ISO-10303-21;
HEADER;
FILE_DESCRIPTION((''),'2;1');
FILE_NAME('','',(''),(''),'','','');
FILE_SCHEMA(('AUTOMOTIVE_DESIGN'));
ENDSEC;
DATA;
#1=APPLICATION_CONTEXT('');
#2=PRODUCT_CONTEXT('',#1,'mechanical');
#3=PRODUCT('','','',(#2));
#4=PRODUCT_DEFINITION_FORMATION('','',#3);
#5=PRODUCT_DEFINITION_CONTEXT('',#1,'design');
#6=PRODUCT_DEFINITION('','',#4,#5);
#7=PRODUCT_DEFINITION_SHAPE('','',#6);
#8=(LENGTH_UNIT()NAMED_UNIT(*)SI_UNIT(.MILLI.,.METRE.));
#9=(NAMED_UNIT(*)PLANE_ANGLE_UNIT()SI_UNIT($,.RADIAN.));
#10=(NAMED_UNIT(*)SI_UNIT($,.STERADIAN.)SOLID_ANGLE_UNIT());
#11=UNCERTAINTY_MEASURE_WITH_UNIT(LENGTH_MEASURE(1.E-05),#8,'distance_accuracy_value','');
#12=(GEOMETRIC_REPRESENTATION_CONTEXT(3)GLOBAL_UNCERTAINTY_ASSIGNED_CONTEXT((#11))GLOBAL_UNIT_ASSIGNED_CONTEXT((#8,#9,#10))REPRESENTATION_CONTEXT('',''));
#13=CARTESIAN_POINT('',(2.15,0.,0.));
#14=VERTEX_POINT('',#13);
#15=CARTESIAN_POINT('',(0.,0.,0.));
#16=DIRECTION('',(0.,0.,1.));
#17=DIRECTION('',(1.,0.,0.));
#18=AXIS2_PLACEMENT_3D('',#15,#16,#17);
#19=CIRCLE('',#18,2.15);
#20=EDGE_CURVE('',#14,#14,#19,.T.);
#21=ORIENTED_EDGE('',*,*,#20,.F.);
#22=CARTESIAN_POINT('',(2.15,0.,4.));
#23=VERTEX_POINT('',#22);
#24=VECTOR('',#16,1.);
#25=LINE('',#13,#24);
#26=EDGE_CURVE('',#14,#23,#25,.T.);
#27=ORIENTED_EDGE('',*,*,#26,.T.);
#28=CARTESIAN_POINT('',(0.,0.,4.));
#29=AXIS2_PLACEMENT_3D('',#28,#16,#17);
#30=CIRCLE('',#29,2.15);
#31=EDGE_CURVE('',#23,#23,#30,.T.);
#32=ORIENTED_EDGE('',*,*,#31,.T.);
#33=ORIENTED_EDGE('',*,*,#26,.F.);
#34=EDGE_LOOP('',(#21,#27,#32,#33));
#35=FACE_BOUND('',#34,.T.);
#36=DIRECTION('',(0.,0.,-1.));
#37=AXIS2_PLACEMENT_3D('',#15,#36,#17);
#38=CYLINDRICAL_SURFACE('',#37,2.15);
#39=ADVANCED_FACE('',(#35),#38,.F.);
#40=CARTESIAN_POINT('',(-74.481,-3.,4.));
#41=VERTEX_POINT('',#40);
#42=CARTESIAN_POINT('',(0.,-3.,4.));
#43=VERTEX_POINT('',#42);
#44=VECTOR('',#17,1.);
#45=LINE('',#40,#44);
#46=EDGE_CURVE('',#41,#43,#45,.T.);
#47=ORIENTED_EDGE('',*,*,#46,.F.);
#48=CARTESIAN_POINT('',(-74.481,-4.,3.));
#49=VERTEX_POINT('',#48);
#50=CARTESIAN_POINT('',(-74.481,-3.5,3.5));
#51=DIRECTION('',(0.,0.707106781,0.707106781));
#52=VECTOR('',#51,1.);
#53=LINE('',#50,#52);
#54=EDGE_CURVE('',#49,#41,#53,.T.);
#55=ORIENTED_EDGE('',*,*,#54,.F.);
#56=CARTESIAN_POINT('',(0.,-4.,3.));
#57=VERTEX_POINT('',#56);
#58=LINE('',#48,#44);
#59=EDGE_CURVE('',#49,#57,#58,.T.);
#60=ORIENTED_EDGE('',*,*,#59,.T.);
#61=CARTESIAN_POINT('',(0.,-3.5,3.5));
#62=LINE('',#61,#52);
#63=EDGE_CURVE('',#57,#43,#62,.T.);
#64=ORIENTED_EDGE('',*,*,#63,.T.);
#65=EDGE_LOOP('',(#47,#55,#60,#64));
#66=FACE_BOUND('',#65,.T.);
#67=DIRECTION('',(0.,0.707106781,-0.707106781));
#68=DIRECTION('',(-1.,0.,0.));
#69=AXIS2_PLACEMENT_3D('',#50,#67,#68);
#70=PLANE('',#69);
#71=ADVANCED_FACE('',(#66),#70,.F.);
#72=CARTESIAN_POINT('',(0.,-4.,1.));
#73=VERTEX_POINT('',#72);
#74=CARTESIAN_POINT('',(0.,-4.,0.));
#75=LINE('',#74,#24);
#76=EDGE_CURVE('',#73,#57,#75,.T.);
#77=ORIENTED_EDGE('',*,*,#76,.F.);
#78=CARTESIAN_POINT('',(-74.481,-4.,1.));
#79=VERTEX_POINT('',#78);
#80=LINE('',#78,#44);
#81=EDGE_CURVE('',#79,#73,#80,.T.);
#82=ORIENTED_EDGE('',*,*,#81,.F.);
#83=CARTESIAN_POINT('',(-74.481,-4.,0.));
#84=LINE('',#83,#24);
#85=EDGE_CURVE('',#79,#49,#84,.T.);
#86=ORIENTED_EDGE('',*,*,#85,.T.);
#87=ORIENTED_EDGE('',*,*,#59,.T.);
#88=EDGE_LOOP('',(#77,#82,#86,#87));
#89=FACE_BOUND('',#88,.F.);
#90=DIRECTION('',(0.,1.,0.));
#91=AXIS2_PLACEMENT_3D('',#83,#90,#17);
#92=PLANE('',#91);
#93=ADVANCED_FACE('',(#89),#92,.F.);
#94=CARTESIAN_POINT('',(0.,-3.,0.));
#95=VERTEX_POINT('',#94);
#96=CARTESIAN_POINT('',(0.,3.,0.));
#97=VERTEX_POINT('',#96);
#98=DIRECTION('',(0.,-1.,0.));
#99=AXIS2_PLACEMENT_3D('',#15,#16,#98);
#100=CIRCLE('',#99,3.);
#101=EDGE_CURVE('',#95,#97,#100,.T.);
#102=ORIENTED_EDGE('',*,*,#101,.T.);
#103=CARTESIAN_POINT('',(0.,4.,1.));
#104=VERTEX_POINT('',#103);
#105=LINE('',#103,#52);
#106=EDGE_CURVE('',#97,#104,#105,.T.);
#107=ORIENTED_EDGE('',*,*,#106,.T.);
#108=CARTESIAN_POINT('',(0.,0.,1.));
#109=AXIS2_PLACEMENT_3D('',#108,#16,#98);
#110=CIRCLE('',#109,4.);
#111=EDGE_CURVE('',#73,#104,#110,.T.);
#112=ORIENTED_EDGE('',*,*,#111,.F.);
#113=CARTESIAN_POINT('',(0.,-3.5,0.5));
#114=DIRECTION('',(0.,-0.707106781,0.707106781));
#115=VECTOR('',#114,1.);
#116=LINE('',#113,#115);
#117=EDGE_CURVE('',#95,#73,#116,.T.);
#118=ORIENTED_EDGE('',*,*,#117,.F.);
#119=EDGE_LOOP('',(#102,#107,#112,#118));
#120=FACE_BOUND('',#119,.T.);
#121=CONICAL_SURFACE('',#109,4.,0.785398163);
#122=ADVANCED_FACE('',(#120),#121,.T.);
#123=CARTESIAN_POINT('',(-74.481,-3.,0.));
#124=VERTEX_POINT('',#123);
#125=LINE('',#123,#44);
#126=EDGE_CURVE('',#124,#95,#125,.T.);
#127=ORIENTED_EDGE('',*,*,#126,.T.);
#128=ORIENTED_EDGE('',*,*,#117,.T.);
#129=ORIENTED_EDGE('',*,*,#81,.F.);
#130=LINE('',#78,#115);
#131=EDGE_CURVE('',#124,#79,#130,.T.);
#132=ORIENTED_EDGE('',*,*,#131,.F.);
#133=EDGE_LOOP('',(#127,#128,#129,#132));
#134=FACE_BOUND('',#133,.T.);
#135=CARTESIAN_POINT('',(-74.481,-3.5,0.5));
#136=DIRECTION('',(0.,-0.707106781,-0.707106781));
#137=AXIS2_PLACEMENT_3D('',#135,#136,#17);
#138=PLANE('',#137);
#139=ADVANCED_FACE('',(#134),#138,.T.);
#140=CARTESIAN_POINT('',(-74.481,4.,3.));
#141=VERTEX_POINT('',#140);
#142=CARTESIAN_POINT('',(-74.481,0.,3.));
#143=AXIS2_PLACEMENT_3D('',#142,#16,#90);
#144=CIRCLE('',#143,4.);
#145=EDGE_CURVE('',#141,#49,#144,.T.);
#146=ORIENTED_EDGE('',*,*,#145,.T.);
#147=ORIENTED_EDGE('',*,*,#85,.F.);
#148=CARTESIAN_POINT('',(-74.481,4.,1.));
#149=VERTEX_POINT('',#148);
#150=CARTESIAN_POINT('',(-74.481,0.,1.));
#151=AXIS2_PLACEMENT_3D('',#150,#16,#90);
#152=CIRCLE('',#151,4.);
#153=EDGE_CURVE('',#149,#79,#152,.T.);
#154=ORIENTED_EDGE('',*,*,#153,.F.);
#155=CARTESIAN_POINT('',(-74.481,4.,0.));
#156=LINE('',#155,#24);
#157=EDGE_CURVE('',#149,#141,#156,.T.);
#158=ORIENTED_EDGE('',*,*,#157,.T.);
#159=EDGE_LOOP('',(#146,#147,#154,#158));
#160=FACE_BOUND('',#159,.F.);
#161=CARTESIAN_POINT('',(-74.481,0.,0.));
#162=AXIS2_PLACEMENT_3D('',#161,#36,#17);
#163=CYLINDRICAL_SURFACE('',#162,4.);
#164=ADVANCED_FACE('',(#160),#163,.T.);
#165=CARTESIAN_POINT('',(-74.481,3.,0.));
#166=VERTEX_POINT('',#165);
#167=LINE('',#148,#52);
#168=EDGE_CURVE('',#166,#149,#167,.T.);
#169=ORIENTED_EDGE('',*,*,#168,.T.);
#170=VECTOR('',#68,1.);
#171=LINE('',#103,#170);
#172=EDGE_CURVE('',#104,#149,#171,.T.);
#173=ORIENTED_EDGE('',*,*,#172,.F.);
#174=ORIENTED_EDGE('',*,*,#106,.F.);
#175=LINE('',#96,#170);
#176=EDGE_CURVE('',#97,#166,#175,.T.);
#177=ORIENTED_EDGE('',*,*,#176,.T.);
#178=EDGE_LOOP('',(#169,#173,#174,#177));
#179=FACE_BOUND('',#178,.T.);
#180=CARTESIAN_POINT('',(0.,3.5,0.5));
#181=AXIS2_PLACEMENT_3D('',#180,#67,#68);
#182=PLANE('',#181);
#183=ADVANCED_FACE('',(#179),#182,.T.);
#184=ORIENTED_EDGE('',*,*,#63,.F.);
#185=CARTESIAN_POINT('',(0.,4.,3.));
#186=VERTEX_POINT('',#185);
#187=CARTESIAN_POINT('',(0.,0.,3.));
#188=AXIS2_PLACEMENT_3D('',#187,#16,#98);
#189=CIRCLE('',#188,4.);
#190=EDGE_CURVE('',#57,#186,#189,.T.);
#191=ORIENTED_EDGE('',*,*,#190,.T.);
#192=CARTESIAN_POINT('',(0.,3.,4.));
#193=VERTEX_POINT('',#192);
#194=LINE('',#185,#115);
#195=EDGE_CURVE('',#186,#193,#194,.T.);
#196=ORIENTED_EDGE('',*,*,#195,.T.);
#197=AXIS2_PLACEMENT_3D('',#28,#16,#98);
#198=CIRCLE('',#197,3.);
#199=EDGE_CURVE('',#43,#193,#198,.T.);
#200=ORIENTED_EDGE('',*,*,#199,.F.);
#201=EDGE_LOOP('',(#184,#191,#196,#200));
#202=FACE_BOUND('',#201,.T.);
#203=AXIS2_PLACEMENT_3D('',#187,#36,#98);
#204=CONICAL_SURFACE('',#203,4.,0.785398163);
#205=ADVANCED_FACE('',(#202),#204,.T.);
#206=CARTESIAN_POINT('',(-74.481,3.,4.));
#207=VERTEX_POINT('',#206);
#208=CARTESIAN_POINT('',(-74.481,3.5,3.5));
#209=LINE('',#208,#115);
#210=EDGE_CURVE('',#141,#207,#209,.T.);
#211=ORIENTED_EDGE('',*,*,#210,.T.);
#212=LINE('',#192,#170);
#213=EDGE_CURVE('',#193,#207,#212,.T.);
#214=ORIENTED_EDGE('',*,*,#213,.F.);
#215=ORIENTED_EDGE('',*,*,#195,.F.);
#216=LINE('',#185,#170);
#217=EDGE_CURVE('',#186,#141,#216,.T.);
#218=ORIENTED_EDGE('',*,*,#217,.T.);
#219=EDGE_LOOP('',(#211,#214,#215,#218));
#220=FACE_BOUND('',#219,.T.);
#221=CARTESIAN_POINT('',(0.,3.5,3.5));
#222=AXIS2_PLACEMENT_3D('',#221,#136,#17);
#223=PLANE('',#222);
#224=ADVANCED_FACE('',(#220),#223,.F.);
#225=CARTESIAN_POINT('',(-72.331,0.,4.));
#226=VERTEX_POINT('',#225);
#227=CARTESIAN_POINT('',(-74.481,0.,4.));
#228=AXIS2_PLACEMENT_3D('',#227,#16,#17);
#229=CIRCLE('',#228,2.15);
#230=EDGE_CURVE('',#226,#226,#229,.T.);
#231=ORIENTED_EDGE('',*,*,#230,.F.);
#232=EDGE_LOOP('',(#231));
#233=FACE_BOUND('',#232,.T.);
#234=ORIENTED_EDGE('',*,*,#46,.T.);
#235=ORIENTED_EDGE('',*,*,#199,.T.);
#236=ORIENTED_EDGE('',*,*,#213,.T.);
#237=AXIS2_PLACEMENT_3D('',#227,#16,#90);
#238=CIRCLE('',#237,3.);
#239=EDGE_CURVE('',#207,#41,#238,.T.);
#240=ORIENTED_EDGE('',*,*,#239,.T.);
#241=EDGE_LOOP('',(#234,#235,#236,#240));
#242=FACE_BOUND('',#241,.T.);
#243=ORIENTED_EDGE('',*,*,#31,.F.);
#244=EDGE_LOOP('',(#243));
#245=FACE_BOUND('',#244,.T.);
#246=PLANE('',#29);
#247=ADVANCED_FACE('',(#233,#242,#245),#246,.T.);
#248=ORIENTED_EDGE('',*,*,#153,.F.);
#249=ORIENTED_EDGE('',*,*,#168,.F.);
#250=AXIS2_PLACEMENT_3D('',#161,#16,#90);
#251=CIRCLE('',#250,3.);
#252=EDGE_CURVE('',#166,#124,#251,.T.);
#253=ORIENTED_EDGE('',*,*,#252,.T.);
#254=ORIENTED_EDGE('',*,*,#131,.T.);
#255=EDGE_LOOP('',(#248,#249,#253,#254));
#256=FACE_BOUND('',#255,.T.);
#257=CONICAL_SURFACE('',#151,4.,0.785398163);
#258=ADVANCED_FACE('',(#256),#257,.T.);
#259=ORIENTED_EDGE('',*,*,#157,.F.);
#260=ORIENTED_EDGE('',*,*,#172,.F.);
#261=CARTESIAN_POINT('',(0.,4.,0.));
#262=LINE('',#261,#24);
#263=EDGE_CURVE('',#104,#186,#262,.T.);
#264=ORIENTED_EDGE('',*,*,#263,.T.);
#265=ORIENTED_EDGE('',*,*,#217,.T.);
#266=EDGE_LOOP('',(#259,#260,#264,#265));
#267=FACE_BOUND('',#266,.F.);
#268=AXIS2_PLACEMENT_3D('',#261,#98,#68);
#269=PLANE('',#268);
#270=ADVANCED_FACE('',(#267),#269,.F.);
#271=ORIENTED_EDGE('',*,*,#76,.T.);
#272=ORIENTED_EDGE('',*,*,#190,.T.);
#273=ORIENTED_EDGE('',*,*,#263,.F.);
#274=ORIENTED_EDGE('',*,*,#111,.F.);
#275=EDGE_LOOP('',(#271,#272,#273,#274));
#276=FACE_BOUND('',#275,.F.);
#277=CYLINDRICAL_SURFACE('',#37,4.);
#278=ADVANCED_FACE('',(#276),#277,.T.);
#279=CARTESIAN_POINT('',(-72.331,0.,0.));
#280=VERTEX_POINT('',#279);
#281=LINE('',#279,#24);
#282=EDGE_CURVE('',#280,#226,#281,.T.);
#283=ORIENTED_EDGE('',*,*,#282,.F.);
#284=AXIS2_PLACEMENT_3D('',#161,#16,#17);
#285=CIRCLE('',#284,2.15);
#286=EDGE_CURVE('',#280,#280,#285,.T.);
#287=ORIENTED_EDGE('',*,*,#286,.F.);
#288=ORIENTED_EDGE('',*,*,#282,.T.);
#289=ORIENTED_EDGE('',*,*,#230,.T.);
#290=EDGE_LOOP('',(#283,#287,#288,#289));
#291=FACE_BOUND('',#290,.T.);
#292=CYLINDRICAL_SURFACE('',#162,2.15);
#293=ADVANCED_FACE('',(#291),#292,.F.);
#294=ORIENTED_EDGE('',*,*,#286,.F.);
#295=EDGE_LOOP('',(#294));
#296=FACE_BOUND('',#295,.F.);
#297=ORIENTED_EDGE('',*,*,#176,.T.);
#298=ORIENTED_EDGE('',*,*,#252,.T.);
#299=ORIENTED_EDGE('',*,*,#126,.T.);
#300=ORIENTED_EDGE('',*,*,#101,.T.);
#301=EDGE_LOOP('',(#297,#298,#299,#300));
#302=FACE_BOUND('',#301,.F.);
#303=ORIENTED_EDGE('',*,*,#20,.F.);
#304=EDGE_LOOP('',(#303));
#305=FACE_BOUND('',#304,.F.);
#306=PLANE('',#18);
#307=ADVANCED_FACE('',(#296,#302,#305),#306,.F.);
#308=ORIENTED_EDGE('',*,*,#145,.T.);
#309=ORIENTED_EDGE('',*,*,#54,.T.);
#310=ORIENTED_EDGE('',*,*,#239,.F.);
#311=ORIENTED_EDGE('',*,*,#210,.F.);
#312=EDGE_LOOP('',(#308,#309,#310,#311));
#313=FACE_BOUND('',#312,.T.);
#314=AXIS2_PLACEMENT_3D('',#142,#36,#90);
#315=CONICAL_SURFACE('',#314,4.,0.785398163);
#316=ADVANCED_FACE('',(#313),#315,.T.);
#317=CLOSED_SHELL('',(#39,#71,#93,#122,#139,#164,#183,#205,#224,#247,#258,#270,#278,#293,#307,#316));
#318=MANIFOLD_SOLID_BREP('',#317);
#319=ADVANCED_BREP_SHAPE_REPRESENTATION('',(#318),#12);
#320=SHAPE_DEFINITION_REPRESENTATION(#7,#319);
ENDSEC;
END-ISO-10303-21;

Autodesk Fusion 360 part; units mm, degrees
sketch "Sketch1" plane through (0, 0, 0) normal (0, 0, 1) x (1, 0, 0)
  circle A0 centre (0, 0) radius 2.15
  circle A1 centre (0, 0) radius 4
  circle A2 centre (-74.481, 0) radius 2.15
  circle A3 centre (-74.481, 0) radius 4
  line L0 (0, 4) -> (-74.481, 4)
  line L1 (-74.481, -4) -> (0, -4)
  dimension "d1" = 4.3
  dimension "d2" = 8
  dimension "d3" = 74.481
  dimension "d4" = 4.3
  dimension "d5" = 8
extrude "Extrude1" add sketch "Sketch1" along normal blind 4
chamfer "Chamfer1" distance 1 angle 45 8 edges at (-37.2405, -4, 4) (4, 0, 4) (-37.2405, 4, 4) (-78.481, 0, 4) (-78.481, 0, 0) (-37.2405, -4, 0) (4, 0, 0) (-37.2405, 4, 0)
